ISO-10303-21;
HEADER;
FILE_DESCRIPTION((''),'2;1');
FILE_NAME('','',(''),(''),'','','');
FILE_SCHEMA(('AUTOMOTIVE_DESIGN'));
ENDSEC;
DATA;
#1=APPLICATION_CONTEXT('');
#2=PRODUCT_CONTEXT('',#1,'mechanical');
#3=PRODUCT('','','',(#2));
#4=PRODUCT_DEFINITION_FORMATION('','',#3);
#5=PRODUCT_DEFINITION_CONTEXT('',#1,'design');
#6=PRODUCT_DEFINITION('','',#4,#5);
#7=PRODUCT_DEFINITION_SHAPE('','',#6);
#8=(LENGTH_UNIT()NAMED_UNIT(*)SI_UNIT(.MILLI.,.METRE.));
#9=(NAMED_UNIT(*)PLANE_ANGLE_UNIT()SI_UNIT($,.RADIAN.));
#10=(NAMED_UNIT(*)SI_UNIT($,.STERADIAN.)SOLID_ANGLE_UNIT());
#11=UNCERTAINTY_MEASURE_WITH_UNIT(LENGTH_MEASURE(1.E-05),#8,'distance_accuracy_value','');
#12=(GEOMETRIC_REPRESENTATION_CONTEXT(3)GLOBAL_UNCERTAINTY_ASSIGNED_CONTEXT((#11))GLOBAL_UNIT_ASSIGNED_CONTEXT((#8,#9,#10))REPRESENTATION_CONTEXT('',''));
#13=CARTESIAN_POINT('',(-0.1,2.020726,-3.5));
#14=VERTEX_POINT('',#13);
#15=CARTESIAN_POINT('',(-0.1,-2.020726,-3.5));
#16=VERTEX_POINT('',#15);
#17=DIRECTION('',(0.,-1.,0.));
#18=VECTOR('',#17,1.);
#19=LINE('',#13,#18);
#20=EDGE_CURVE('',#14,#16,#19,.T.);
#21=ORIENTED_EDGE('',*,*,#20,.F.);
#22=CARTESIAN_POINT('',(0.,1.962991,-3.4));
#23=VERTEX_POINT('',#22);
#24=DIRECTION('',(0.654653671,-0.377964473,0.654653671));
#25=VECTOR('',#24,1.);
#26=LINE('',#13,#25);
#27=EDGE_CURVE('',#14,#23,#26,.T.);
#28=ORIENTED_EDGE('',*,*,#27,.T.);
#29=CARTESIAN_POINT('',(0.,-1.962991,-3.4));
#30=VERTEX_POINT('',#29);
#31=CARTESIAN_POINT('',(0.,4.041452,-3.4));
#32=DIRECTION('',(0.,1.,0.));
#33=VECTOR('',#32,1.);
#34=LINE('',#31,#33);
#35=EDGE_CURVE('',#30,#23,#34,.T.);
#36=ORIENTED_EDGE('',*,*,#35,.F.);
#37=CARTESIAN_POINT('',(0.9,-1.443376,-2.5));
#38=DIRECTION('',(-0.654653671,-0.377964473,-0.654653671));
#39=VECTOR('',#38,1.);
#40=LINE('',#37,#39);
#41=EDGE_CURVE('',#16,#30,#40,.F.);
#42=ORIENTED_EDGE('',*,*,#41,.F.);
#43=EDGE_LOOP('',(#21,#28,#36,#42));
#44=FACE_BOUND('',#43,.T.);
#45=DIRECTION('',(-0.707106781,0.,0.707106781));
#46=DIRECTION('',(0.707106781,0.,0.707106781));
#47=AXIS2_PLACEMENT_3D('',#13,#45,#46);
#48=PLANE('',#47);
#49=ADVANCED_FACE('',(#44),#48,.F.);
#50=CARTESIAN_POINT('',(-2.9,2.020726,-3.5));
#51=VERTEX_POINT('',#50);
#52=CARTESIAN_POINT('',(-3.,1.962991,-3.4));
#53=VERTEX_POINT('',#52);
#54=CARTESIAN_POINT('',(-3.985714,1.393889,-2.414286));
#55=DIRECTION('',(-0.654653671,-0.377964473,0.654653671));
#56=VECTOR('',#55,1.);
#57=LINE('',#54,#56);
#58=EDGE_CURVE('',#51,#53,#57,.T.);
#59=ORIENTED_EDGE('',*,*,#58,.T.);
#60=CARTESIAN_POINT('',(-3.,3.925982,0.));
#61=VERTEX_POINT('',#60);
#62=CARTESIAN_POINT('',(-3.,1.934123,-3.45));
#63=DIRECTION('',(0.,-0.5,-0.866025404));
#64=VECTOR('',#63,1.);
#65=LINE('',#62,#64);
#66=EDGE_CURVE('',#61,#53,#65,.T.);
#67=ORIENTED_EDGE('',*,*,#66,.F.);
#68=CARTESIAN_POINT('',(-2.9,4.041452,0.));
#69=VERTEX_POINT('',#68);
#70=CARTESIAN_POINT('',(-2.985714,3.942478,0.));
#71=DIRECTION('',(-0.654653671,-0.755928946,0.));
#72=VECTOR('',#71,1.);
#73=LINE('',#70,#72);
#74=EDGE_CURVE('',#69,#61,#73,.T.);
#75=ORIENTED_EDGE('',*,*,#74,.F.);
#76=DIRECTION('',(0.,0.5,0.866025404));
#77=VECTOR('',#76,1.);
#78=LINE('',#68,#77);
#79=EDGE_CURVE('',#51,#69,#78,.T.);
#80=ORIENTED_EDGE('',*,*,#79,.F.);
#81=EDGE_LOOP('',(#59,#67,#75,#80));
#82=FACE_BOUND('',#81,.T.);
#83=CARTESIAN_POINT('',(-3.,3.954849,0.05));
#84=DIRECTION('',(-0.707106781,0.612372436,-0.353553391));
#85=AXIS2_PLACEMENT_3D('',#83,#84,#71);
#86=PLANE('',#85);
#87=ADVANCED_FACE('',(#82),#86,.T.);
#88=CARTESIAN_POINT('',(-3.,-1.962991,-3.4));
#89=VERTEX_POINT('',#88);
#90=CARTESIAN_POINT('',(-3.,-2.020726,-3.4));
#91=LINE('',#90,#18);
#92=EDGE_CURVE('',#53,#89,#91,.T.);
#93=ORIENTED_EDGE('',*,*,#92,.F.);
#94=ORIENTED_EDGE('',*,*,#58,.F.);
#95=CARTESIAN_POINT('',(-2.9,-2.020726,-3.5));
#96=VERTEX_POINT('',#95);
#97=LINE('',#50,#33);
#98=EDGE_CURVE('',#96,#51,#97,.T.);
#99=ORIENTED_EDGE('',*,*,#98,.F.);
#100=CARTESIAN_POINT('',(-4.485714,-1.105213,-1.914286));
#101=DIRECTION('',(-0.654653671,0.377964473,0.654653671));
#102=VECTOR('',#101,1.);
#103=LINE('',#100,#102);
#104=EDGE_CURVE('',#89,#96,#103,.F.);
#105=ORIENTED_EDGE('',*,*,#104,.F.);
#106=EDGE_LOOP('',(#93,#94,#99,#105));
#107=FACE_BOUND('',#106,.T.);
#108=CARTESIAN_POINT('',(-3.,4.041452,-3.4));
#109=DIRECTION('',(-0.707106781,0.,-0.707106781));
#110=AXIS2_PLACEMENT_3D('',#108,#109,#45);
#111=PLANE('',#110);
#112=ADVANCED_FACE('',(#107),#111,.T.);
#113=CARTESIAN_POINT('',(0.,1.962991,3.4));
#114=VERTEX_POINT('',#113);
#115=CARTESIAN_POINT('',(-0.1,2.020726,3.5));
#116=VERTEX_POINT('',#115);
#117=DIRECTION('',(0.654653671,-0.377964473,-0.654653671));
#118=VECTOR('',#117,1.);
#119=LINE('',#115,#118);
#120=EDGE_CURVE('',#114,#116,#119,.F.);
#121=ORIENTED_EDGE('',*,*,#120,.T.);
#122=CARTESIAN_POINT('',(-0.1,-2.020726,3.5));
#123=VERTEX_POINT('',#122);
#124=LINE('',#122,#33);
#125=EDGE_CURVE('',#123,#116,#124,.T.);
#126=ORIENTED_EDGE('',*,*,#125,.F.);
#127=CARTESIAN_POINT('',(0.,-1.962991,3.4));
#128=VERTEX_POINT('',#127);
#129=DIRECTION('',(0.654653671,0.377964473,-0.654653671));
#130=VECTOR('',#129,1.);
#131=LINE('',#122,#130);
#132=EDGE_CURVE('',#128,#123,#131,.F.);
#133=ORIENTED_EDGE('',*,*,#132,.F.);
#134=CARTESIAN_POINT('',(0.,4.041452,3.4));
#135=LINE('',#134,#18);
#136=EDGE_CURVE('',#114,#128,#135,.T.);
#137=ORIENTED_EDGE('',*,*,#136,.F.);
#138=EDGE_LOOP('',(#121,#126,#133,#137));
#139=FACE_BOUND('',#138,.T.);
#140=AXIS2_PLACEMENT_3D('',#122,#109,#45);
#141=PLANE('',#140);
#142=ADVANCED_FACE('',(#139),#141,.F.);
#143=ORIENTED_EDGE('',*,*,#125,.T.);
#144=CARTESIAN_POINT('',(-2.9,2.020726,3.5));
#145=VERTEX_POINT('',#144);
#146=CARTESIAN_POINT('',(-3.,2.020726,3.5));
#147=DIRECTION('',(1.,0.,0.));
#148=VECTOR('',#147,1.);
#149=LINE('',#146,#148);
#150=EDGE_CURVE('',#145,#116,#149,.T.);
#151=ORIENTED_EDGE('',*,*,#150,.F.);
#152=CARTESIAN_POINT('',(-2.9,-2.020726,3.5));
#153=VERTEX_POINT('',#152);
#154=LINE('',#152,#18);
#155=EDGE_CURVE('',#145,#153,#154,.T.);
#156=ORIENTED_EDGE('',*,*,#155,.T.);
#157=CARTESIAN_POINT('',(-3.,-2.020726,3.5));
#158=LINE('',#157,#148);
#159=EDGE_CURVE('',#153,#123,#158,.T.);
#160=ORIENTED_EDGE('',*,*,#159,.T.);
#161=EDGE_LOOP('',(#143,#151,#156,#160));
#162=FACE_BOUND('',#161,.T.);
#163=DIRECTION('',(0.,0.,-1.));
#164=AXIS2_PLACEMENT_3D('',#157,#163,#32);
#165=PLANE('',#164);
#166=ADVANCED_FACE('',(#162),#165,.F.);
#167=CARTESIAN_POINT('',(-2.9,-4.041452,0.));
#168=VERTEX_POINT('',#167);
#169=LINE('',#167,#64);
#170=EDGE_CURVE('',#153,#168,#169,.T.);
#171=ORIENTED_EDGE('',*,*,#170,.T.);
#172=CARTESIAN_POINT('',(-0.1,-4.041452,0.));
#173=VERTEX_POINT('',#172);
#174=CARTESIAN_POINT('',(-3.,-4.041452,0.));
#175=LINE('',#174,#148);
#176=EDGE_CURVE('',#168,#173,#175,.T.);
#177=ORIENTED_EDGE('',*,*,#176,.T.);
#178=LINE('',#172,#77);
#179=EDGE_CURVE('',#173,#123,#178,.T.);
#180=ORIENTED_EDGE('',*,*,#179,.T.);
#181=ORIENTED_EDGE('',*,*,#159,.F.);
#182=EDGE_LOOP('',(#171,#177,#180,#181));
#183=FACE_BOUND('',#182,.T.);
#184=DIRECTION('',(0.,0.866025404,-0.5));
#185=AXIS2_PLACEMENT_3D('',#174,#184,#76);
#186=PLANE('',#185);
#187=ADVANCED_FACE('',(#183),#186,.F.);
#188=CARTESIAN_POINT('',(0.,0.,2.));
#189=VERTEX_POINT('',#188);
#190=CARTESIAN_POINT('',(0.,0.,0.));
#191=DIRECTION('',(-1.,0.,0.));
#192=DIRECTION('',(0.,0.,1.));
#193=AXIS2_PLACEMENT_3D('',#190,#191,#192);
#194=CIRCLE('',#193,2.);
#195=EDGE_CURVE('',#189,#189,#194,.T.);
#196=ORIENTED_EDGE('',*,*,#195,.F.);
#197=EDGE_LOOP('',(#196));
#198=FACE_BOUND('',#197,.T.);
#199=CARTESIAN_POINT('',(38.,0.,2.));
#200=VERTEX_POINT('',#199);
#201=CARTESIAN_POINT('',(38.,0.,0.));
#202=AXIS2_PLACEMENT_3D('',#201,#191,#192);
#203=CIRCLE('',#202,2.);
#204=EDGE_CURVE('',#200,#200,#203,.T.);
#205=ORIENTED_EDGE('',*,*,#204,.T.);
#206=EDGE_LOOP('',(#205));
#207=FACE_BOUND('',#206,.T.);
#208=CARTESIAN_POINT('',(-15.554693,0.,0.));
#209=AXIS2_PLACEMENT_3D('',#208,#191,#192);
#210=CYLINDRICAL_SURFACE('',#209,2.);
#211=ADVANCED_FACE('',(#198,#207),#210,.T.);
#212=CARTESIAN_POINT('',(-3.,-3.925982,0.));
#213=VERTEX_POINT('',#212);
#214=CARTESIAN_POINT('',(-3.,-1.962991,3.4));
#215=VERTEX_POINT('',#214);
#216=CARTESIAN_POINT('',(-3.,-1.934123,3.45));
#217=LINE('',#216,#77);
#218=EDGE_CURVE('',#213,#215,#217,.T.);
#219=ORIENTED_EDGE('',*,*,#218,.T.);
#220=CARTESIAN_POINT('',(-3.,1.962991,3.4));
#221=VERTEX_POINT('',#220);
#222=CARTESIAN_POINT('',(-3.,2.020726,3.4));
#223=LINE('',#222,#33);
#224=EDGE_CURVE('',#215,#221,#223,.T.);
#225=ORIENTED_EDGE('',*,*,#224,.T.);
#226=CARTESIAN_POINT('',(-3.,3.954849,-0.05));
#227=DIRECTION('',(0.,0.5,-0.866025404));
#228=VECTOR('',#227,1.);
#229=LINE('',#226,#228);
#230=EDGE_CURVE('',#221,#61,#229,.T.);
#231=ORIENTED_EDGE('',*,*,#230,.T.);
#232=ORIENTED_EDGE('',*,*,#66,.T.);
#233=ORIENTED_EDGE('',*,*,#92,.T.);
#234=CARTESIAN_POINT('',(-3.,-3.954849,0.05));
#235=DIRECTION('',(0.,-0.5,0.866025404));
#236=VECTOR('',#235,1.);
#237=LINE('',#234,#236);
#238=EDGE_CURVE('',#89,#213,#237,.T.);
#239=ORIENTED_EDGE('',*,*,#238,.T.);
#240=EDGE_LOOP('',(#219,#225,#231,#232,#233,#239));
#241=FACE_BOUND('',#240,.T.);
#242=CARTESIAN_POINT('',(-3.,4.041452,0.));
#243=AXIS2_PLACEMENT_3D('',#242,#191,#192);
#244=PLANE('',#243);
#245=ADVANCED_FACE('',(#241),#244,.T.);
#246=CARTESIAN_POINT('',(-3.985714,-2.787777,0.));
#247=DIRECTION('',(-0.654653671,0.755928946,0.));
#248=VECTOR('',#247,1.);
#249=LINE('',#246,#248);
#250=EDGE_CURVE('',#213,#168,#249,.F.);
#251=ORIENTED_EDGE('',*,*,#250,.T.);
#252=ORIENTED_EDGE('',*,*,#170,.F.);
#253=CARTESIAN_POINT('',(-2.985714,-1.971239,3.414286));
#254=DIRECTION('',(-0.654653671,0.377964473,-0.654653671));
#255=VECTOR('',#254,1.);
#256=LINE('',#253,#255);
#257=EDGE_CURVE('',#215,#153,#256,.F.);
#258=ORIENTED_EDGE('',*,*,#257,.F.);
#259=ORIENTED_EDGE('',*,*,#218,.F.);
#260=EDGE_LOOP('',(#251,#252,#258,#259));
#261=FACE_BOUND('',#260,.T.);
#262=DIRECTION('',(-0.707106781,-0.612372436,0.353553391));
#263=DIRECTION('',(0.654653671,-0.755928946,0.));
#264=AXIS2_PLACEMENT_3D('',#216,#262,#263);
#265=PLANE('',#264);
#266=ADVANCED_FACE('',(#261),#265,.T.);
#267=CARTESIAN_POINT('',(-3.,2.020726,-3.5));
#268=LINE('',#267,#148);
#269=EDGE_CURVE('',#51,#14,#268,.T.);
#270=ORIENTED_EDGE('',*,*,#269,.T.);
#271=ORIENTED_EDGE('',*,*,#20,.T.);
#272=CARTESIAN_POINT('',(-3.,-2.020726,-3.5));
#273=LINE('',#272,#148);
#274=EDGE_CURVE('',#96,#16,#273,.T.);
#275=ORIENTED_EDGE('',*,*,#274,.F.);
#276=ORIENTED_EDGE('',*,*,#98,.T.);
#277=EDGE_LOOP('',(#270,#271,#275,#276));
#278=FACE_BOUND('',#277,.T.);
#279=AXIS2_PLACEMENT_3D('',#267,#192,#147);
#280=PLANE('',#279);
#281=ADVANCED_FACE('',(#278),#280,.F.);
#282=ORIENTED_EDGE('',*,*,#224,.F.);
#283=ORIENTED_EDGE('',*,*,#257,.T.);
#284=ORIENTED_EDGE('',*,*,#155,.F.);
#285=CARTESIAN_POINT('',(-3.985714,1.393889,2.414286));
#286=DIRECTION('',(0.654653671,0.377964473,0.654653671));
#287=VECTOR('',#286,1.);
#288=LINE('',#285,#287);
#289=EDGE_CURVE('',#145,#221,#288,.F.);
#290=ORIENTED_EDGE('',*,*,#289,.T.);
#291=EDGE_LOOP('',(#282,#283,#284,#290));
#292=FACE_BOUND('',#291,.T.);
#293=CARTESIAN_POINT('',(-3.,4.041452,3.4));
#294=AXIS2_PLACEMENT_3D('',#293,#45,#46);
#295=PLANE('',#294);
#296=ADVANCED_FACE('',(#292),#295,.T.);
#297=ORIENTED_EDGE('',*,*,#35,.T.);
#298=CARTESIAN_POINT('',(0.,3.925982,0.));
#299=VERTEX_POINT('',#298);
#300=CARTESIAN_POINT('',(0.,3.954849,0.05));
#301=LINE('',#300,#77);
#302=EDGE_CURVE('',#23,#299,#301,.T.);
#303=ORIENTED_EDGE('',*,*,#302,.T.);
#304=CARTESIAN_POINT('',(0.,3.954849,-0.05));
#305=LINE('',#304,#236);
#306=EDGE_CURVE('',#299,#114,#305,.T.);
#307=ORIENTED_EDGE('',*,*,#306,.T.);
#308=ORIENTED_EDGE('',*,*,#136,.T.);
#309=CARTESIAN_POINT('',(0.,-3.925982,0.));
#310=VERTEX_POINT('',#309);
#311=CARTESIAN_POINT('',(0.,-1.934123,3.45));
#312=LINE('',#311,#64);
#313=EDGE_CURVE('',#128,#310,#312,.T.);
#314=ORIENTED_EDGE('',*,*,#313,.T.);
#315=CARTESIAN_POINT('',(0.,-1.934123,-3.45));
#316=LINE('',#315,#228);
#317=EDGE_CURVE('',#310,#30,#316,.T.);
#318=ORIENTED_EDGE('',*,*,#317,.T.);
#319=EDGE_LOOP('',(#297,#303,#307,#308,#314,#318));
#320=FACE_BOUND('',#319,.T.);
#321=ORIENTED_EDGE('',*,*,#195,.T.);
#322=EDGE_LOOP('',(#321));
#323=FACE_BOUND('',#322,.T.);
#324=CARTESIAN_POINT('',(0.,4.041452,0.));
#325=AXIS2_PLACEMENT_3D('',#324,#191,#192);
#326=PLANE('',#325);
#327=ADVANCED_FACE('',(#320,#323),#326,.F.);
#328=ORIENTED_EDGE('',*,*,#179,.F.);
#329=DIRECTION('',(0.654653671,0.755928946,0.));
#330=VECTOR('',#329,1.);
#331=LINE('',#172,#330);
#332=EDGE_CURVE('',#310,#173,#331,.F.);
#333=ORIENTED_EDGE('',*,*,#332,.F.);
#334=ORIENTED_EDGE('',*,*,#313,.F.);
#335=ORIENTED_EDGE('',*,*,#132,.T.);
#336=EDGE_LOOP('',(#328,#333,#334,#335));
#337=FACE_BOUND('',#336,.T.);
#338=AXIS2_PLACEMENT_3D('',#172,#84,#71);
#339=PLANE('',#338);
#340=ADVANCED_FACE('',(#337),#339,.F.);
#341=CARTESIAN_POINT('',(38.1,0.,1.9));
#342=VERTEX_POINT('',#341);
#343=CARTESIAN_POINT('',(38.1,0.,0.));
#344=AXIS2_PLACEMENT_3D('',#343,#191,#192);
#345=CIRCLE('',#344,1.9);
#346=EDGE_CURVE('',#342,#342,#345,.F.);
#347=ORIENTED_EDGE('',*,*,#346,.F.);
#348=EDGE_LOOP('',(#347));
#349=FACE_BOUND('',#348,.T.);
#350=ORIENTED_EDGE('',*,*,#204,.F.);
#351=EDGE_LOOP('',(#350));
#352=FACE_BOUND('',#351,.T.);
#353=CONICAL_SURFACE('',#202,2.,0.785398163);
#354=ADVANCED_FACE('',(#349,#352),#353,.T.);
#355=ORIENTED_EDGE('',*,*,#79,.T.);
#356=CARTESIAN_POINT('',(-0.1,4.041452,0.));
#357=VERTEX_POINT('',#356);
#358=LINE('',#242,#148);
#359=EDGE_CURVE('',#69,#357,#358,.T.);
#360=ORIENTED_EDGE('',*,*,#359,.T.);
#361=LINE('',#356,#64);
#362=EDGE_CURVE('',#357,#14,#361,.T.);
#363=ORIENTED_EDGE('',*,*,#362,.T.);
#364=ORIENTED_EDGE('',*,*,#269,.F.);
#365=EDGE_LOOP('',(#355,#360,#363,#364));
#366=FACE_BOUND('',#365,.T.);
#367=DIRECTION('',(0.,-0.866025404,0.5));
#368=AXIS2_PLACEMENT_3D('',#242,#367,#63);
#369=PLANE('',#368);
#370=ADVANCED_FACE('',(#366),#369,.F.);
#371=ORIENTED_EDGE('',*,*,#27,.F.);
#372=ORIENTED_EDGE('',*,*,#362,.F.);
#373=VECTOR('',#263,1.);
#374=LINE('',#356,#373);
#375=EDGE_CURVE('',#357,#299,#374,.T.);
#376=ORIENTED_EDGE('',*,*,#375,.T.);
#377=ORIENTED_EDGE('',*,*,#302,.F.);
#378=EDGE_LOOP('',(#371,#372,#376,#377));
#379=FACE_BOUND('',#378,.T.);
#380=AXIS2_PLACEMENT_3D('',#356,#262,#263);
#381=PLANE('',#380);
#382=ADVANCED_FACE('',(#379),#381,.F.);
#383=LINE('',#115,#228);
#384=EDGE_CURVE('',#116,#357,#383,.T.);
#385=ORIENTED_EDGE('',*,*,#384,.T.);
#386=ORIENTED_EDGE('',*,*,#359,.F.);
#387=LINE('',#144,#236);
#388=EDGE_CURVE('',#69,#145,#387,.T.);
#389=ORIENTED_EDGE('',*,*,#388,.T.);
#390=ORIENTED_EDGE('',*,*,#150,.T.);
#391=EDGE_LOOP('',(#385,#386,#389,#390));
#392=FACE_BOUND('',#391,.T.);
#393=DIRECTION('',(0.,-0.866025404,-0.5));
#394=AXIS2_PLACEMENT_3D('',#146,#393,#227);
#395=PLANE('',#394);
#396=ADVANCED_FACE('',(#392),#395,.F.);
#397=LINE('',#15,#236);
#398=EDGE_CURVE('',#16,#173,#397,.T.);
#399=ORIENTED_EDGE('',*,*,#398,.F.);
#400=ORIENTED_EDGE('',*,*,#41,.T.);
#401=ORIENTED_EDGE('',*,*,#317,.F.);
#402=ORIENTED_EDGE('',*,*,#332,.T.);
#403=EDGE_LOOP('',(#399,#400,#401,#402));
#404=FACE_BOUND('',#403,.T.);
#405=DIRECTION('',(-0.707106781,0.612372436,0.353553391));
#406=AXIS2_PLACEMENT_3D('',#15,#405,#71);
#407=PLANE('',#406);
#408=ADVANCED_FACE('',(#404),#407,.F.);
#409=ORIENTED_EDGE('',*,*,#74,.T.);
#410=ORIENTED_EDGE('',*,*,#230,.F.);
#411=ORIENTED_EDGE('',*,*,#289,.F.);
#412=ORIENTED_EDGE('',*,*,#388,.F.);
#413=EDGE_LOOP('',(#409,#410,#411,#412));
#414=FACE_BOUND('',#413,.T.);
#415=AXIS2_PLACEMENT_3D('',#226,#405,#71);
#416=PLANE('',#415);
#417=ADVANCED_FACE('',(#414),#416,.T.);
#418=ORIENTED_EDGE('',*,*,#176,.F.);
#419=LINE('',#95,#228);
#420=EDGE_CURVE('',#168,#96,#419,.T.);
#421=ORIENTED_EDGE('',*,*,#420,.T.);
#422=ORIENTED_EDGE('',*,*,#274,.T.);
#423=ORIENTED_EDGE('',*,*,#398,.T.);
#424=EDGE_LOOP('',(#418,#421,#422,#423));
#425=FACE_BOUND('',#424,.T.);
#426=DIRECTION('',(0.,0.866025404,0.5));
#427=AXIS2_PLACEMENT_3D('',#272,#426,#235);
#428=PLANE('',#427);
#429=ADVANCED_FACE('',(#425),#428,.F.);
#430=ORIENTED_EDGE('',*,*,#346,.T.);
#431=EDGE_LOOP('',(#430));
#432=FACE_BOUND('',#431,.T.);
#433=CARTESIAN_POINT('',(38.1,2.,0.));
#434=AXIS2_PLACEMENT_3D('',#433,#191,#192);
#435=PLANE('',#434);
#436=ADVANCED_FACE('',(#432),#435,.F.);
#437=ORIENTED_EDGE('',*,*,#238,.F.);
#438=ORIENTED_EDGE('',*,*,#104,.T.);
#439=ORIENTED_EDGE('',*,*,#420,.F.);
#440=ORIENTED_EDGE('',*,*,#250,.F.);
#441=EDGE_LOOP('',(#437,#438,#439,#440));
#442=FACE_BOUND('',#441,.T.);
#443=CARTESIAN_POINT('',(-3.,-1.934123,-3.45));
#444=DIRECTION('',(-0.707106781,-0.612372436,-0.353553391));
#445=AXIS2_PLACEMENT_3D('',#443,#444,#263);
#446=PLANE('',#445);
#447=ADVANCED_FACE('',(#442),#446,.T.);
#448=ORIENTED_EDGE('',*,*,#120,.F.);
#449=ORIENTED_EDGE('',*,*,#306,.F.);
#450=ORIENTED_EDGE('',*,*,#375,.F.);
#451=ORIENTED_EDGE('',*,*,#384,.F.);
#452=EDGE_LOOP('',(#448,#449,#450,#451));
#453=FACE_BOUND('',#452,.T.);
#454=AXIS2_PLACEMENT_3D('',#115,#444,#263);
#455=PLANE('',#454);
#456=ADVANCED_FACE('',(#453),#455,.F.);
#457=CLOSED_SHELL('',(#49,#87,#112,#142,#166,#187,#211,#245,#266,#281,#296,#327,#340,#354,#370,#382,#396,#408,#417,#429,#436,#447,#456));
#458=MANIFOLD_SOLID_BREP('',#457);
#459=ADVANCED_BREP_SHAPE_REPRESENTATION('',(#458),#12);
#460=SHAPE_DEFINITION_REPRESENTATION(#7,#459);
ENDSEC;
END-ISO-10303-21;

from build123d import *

# Parameters (mm, degrees)
SKETCH1_W           = 38.1
SKETCH1_H           = 2
BOSS_EXTRUDE1_DEPTH = 3
CHAMFER1_SIZE       = 0.1
CHAMFER2_SIZE       = 0.1


with BuildPart() as part:
    # Sketch1 → Revolve1 (revolve)
    with BuildSketch(Plane.XY, mode=Mode.PRIVATE) as revolve1_sk:
        with Locations((19.05, 1)):
            Rectangle(SKETCH1_W, SKETCH1_H)
    revolve(revolve1_sk.sketch.rotate(Axis((-15.554693394, 0, 0), (1, 0, 0)), 90), axis=Axis((-15.554693394, 0, 0), (1, 0, 0)))

    # Sketch2 → Boss-Extrude1 (add)
    with BuildSketch(Plane.ZY):
        Polygon((0, 4.041451884), (-3.5, 2.020725942), (-3.5, -2.020725942), (0, -4.041451884), (3.5, -2.020725942), (3.5, 2.020725942), align=None)
    extrude(amount=BOSS_EXTRUDE1_DEPTH)

    # Chamfer1
    chamfer1_edges = [part.edges().sort_by_distance(p)[0] for p in [
        (0, 3.031088913, -1.75),
        (0, 0, -3.5),
        (0, -3.031088913, -1.75),
        (0, -3.031088913, 1.75),
        (0, 0, 3.5),
        (-3, 3.031088913, 1.75),
        (-3, 3.031088913, -1.75),
        (-3, 0, -3.5),
        (-3, -3.031088913, -1.75),
        (-3, -3.031088913, 1.75),
        (-3, 0, 3.5),
        (0, 3.031088913, 1.75),
    ]]
    chamfer(chamfer1_edges, length=CHAMFER1_SIZE)

    # Chamfer2
    chamfer2_edges = [part.edges().sort_by_distance(p)[0] for p in [
        (38.1, 0, -2),
    ]]
    chamfer(chamfer2_edges, length=CHAMFER2_SIZE)


solid = part.part
